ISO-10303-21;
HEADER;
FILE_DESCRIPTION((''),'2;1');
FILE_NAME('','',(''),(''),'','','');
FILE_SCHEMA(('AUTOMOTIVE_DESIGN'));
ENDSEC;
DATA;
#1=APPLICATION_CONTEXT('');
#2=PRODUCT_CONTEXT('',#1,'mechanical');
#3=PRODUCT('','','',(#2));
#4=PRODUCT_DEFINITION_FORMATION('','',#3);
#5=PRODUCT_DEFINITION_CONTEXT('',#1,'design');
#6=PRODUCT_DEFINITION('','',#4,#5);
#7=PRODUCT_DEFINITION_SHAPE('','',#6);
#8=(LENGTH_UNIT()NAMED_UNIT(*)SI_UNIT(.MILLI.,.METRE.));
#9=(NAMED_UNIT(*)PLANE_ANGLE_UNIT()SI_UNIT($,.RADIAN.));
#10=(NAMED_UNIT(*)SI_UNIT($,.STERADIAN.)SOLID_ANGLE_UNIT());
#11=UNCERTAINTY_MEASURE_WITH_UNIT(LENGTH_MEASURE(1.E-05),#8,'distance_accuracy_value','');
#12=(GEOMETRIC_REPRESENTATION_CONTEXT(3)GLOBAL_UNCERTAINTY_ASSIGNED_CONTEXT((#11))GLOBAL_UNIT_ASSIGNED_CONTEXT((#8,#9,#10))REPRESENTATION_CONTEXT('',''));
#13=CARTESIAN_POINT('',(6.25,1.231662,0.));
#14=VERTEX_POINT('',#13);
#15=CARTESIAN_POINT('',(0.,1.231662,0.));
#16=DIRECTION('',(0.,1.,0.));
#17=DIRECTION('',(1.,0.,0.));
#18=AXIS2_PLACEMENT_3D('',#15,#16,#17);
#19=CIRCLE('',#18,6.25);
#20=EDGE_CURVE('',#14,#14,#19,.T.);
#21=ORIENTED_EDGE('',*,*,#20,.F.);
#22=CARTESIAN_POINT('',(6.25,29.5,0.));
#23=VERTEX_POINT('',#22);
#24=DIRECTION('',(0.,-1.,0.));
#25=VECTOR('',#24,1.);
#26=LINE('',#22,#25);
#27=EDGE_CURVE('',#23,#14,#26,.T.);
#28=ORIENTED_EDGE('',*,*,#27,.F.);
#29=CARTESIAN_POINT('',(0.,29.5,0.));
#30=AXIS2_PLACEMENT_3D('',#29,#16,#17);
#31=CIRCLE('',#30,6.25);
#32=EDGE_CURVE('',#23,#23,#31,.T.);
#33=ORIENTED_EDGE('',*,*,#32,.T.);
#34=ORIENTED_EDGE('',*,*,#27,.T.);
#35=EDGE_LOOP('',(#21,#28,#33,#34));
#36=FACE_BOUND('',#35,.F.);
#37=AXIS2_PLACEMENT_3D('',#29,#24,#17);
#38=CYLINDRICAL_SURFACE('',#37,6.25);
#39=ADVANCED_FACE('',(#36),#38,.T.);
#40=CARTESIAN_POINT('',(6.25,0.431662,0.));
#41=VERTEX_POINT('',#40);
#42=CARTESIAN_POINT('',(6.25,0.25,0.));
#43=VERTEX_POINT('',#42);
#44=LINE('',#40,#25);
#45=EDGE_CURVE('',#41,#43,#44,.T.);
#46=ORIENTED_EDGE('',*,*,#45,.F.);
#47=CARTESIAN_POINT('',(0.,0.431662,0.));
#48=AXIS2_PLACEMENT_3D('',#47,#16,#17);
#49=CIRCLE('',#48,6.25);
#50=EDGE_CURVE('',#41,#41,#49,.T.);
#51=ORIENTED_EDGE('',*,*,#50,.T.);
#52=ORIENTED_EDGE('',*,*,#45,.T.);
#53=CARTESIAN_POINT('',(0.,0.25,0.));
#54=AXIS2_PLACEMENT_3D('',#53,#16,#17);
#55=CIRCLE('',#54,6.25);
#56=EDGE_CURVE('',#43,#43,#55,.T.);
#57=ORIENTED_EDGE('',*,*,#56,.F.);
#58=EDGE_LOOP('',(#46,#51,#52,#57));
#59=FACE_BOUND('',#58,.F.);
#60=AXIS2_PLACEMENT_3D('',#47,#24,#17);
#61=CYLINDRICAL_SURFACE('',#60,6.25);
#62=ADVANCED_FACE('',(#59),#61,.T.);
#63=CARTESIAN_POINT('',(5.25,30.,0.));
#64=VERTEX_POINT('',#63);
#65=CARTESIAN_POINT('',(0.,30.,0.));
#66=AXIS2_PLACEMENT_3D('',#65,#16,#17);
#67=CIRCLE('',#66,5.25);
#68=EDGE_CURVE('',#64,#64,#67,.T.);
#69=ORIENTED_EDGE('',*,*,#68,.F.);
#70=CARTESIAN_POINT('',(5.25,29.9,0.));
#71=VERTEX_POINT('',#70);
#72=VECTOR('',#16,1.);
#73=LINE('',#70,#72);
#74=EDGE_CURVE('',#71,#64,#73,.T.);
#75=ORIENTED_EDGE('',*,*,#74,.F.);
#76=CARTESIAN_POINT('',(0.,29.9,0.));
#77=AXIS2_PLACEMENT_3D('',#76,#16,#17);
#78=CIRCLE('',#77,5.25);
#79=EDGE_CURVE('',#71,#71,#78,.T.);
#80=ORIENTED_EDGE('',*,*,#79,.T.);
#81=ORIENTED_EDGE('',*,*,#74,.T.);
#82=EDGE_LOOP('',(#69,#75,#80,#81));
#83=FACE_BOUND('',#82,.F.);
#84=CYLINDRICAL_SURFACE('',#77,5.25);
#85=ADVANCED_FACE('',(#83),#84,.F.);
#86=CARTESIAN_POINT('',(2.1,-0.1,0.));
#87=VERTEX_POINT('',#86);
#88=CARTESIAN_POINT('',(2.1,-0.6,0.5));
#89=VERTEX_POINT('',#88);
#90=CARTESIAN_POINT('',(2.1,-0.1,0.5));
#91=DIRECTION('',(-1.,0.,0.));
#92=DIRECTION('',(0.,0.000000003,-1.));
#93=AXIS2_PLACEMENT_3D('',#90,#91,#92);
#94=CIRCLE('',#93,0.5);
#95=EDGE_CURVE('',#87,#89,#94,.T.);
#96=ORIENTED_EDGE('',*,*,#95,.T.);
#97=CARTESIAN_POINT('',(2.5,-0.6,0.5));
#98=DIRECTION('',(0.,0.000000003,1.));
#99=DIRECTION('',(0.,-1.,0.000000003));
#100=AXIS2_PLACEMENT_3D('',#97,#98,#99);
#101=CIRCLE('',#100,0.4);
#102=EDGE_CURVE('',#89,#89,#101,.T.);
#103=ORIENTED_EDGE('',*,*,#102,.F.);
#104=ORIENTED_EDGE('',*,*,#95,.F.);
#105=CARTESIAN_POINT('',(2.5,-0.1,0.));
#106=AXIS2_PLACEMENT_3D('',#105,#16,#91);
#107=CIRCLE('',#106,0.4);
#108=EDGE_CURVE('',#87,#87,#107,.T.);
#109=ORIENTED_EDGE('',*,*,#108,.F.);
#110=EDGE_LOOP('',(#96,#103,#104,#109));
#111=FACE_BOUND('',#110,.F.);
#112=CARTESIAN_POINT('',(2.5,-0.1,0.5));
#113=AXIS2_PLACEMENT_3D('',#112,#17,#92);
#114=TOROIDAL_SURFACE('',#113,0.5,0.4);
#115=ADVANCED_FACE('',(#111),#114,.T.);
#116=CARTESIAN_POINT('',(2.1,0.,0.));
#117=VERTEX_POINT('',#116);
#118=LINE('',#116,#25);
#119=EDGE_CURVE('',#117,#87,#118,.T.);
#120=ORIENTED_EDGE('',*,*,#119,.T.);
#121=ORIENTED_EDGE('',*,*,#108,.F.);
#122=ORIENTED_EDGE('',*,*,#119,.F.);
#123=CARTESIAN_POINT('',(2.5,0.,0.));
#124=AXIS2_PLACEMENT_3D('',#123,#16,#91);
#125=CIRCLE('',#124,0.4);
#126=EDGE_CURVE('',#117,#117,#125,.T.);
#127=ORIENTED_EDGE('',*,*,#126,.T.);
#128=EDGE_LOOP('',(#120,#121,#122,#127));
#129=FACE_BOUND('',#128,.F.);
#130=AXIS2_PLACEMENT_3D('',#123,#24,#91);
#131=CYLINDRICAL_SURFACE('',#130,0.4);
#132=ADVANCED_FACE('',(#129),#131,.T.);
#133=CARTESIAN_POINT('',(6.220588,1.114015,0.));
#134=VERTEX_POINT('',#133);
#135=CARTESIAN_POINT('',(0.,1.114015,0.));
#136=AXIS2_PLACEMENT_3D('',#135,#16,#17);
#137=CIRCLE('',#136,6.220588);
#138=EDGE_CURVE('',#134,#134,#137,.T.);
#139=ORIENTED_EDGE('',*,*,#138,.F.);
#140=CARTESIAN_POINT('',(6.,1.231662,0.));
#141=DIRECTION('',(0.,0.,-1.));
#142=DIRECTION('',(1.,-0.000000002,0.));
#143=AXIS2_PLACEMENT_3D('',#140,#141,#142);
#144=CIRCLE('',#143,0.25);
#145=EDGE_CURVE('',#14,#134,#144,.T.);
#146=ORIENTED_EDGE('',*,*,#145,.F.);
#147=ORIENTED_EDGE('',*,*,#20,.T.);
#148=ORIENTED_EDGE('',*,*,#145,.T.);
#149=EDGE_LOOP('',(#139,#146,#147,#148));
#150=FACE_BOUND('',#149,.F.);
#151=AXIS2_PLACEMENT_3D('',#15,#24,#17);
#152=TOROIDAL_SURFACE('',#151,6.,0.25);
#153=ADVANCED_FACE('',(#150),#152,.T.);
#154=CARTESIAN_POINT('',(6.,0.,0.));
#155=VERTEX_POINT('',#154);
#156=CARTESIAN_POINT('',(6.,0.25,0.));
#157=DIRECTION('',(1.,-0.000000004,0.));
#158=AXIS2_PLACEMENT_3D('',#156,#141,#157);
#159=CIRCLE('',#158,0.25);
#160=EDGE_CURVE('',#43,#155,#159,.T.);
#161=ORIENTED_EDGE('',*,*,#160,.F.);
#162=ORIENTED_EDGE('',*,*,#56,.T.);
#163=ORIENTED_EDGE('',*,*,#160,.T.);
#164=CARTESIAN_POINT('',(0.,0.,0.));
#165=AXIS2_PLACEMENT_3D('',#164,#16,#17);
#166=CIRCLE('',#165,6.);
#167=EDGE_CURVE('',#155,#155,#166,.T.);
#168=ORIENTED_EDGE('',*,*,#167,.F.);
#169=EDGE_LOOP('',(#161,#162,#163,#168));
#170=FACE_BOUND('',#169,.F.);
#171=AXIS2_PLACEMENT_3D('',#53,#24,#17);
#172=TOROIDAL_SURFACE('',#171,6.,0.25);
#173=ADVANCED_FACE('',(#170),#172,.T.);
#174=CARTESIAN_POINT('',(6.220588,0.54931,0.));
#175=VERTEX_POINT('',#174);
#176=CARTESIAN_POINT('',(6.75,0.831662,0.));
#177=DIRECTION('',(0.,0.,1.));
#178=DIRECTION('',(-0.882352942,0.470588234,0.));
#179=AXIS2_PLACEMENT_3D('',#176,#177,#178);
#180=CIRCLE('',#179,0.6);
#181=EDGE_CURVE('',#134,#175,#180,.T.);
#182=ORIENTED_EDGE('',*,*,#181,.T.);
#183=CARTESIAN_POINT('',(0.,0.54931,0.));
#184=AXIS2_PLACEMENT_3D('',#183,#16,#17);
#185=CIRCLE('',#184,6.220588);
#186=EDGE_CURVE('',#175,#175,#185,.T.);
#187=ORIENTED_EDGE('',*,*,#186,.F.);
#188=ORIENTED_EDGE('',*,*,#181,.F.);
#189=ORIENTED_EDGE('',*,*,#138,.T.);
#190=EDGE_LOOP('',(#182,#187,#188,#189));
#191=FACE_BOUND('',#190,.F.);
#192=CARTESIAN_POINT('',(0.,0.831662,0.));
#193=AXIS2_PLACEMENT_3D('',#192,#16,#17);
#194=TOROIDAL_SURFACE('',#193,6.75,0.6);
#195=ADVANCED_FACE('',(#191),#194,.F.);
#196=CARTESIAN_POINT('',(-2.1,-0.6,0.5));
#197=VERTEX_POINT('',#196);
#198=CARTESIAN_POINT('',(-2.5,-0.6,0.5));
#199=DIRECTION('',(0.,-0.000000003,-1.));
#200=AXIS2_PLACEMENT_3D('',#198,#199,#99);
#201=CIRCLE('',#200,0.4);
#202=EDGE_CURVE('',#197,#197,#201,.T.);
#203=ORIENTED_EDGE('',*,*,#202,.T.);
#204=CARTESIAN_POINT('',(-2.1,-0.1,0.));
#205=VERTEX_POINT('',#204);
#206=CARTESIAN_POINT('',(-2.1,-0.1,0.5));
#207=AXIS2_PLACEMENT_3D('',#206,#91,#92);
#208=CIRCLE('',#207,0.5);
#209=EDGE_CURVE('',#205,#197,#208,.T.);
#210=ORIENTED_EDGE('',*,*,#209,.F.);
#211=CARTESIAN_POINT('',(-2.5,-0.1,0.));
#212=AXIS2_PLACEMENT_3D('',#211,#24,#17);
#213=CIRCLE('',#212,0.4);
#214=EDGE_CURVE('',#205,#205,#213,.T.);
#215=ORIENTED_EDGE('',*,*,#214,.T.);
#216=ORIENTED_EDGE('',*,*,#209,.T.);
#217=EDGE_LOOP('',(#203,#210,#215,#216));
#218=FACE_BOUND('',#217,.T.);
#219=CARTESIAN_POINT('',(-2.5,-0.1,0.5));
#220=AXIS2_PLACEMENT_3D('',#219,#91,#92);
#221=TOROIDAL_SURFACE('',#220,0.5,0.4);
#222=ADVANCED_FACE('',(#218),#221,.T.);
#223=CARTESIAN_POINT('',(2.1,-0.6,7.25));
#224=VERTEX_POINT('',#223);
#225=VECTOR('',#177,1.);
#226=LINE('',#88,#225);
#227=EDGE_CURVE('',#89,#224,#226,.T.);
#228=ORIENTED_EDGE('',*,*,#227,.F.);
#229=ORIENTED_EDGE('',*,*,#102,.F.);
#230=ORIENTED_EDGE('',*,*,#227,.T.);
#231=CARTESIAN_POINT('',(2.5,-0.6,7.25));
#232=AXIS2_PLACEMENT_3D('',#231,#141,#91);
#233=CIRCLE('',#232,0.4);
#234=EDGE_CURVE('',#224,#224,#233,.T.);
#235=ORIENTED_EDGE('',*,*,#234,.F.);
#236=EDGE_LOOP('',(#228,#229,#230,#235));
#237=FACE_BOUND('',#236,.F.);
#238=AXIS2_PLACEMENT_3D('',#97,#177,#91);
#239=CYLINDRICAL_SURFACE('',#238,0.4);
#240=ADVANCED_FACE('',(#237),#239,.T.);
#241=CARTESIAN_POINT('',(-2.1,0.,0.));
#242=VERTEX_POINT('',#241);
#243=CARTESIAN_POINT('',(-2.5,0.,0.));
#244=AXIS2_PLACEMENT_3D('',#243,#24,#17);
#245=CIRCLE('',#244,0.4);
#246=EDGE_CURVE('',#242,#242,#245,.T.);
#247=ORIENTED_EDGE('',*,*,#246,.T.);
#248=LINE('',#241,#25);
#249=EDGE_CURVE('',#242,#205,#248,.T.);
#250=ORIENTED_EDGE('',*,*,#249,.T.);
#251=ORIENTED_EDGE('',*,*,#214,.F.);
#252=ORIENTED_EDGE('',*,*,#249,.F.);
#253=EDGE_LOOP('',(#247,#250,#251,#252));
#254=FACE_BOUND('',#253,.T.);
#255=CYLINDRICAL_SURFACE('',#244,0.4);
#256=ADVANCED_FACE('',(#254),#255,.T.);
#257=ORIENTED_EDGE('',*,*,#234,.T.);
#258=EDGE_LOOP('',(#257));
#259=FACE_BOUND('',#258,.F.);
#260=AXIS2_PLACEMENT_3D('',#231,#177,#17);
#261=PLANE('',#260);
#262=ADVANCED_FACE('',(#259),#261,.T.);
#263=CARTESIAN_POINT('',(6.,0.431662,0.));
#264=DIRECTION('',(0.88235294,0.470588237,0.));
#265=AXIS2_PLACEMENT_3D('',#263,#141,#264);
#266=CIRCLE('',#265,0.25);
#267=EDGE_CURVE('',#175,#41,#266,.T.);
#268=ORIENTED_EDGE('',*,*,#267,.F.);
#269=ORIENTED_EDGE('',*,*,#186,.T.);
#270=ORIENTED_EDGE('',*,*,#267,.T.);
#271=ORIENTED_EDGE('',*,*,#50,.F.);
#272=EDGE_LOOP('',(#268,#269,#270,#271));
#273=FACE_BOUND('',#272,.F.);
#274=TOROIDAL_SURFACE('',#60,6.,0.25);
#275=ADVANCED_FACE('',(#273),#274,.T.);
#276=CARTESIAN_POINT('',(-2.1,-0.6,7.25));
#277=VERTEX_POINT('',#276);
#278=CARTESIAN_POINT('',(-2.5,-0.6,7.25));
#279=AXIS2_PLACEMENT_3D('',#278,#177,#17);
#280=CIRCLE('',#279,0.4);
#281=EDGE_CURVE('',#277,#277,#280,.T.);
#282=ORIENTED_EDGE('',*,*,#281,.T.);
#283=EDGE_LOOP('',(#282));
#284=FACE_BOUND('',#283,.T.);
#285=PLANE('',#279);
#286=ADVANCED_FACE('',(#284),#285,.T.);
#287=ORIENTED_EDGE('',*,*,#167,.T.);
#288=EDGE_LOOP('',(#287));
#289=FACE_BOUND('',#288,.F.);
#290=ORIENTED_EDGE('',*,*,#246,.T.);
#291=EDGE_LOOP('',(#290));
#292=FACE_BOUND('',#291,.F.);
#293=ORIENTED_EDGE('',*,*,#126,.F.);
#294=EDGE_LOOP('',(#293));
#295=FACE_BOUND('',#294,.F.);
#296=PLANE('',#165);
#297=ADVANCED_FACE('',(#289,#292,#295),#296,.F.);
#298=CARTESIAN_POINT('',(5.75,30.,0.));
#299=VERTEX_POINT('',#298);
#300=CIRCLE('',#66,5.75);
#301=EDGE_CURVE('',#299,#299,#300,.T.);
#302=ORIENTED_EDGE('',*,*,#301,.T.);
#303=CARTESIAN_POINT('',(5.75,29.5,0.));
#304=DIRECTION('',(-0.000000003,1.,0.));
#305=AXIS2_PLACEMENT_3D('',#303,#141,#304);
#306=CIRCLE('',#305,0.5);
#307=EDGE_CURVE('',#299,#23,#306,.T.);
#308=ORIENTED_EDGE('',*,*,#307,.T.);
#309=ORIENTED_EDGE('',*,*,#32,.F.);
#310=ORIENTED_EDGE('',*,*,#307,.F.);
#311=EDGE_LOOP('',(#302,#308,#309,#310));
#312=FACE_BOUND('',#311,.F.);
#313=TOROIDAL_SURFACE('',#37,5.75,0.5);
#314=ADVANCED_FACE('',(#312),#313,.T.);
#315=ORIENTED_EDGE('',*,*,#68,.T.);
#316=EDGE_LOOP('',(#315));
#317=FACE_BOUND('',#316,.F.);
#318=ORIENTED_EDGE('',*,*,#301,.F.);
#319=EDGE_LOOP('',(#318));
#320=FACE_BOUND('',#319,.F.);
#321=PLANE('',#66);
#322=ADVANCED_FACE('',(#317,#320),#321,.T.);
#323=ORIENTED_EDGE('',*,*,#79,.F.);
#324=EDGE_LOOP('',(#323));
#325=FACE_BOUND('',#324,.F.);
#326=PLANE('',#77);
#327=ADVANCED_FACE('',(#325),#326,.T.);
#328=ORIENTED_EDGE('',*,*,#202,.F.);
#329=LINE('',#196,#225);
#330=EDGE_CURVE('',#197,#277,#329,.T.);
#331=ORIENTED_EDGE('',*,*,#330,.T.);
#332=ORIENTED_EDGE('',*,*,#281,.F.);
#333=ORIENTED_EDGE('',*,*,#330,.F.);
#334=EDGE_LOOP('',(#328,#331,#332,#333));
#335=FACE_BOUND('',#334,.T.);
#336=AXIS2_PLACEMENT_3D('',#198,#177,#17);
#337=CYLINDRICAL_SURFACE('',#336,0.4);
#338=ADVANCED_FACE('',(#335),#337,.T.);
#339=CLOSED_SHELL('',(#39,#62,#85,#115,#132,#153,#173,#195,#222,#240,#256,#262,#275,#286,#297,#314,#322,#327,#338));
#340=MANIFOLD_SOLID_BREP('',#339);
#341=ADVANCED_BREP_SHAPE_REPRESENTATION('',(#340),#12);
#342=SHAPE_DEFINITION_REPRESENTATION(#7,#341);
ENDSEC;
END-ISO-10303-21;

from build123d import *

# Parameters (mm, degrees)
SKETCH4_R = 0.4


with BuildPart() as part:
    # Sketch1 → Revolve1 (revolve)
    with BuildSketch(Plane.XY):
        with BuildLine():
            Line((0, 29.9), (5.25, 29.9))
            Line((5.25, 29.9), (5.25, 30))
            Line((5.25, 30), (5.75, 30))
            ThreePointArc((5.75, 30), (6.103553391, 29.853553391), (6.25, 29.5))
            Line((6.25, 29.5), (6.25, 1.231662479))
            ThreePointArc((6.25, 1.231662479), (6.242535625, 1.171028573), (6.220588235, 1.11401542))
            ThreePointArc((6.220588235, 1.11401542), (6.15, 0.831662479), (6.220588235, 0.549309538))
            ThreePointArc((6.220588235, 0.549309538), (6.242535625, 0.492296385), (6.25, 0.431662479))
            Line((6.25, 0.431662479), (6.25, 0.25))
            ThreePointArc((6.25, 0.25), (6.176776695, 0.073223305), (6, 0))
            Line((6, 0), (0, 0))
            Line((0, 0), (0, 29.9))
        make_face()
    revolve(axis=Axis((0, 0, 0), (0, 1, 0)))

    # Sweep1: sweep along a path in Sketch5
    with BuildLine(Plane(origin=(-2.5, 0, 0), x_dir=(0, 0, -1), z_dir=(1, 0, 0))) as sweep1_path:
        Line((0, 0), (0, -0.1))
        ThreePointArc((0, -0.1), (-0.146446609, -0.453553391), (-0.5, -0.6))
        Line((-0.5, -0.6), (-7.25, -0.6))
    # Sketch4 → Sweep1 (sweep)
    with BuildSketch(Plane.XZ):
        with Locations((-2.5, 0)):
            Circle(SKETCH4_R)
    sweep1 = sweep(path=sweep1_path.line)

    # Mirror1: Sweep1 across plane
    add(sweep1.mirror(Plane(origin=(0, 0, 0), x_dir=(0, 0, 1), z_dir=(1, 0, 0))))


solid = part.part
